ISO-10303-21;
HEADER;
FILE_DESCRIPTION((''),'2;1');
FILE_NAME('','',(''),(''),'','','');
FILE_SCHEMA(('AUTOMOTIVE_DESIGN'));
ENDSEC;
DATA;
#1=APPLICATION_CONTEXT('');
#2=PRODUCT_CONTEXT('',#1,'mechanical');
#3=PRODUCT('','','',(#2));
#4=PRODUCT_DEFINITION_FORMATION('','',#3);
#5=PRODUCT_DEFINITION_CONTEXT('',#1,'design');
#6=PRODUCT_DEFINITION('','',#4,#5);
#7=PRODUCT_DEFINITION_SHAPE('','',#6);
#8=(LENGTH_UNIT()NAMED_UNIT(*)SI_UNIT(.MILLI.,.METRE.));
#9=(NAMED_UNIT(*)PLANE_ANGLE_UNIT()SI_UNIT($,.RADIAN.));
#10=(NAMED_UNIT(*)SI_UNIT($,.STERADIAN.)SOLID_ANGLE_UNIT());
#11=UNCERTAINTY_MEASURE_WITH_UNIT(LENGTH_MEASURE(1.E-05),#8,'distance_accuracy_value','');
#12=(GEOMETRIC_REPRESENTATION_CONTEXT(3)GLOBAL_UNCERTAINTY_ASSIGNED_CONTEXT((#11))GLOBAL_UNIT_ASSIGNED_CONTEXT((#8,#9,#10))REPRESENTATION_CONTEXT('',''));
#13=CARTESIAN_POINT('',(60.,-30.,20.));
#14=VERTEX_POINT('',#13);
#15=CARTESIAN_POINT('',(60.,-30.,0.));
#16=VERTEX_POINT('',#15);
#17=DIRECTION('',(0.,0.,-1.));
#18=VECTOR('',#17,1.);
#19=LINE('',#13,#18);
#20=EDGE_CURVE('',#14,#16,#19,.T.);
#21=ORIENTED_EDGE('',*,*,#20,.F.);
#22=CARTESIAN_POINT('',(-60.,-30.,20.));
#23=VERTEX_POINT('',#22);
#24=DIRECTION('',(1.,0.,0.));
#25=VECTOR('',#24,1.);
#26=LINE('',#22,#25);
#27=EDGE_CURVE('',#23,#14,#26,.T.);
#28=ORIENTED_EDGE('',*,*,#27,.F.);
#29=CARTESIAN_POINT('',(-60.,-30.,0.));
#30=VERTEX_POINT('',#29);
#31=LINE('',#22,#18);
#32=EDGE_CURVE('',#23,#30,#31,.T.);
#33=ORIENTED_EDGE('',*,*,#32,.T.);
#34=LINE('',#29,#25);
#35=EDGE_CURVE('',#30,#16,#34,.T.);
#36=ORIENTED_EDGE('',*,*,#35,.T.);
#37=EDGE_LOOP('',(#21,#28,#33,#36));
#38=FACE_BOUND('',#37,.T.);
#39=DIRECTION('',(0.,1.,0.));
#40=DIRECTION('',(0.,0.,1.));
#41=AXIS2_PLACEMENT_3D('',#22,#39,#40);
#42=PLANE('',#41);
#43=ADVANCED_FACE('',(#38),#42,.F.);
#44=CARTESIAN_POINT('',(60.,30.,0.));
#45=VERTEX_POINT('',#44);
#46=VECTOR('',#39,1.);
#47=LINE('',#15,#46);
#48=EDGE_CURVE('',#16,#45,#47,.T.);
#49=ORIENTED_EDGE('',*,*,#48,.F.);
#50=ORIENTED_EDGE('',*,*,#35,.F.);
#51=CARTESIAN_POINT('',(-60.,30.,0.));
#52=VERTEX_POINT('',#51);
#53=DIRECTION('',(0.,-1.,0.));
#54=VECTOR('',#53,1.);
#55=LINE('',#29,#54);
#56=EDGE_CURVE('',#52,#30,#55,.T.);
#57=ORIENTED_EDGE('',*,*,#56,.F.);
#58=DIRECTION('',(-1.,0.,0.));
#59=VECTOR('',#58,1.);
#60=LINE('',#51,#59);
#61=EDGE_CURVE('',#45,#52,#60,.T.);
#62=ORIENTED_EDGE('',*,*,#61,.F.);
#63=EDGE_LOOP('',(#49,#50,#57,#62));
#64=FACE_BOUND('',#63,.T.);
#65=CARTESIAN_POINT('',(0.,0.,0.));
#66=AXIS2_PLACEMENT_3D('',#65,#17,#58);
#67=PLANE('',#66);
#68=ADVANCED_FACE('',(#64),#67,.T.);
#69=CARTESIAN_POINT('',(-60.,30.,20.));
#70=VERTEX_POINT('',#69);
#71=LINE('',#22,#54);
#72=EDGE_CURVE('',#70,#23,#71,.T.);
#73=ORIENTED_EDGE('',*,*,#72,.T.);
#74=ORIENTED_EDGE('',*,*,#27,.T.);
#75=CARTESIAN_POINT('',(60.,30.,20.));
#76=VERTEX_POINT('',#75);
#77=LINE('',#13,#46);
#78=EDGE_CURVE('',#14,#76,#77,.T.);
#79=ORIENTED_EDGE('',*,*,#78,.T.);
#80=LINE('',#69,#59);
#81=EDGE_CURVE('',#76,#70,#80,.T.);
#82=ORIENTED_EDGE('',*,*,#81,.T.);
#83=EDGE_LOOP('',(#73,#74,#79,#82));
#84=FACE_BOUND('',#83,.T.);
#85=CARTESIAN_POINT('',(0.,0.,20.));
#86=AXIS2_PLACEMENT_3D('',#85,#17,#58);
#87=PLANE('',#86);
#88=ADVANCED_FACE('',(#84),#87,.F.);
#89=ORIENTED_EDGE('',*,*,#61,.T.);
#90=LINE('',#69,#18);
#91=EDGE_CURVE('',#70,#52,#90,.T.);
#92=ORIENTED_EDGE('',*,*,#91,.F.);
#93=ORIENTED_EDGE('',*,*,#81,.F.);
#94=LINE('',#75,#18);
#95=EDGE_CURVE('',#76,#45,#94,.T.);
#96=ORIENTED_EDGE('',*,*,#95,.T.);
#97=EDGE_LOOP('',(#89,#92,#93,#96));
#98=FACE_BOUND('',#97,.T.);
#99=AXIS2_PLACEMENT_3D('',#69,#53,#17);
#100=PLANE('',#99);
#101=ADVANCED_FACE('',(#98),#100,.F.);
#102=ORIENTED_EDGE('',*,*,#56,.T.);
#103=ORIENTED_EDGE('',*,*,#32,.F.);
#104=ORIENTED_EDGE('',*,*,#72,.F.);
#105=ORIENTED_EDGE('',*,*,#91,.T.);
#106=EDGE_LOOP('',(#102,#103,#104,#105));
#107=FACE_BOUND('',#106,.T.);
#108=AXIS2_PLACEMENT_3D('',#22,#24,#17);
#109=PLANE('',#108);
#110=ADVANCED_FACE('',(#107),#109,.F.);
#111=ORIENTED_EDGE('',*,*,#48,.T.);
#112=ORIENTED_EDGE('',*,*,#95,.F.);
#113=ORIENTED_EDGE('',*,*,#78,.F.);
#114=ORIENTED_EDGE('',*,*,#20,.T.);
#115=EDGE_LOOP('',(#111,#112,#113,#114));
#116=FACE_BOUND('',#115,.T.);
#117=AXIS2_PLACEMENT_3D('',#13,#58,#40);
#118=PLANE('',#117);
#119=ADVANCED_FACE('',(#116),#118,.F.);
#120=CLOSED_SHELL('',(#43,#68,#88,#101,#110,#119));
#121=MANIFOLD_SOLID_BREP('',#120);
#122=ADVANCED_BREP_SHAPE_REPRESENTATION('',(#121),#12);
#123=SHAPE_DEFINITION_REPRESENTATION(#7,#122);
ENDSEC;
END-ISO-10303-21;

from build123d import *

# Parameters (mm, degrees)
SKETCH_1_W      = 120
SKETCH_1_H      = 60
EXTRUDE_1_DEPTH = 20


with BuildPart() as part:
    # 草图1 → 凸台-拉伸1 (new body)
    with BuildSketch(Plane.XY):
        Rectangle(SKETCH_1_W, SKETCH_1_H)
    extrude(amount=EXTRUDE_1_DEPTH)


solid = part.part
